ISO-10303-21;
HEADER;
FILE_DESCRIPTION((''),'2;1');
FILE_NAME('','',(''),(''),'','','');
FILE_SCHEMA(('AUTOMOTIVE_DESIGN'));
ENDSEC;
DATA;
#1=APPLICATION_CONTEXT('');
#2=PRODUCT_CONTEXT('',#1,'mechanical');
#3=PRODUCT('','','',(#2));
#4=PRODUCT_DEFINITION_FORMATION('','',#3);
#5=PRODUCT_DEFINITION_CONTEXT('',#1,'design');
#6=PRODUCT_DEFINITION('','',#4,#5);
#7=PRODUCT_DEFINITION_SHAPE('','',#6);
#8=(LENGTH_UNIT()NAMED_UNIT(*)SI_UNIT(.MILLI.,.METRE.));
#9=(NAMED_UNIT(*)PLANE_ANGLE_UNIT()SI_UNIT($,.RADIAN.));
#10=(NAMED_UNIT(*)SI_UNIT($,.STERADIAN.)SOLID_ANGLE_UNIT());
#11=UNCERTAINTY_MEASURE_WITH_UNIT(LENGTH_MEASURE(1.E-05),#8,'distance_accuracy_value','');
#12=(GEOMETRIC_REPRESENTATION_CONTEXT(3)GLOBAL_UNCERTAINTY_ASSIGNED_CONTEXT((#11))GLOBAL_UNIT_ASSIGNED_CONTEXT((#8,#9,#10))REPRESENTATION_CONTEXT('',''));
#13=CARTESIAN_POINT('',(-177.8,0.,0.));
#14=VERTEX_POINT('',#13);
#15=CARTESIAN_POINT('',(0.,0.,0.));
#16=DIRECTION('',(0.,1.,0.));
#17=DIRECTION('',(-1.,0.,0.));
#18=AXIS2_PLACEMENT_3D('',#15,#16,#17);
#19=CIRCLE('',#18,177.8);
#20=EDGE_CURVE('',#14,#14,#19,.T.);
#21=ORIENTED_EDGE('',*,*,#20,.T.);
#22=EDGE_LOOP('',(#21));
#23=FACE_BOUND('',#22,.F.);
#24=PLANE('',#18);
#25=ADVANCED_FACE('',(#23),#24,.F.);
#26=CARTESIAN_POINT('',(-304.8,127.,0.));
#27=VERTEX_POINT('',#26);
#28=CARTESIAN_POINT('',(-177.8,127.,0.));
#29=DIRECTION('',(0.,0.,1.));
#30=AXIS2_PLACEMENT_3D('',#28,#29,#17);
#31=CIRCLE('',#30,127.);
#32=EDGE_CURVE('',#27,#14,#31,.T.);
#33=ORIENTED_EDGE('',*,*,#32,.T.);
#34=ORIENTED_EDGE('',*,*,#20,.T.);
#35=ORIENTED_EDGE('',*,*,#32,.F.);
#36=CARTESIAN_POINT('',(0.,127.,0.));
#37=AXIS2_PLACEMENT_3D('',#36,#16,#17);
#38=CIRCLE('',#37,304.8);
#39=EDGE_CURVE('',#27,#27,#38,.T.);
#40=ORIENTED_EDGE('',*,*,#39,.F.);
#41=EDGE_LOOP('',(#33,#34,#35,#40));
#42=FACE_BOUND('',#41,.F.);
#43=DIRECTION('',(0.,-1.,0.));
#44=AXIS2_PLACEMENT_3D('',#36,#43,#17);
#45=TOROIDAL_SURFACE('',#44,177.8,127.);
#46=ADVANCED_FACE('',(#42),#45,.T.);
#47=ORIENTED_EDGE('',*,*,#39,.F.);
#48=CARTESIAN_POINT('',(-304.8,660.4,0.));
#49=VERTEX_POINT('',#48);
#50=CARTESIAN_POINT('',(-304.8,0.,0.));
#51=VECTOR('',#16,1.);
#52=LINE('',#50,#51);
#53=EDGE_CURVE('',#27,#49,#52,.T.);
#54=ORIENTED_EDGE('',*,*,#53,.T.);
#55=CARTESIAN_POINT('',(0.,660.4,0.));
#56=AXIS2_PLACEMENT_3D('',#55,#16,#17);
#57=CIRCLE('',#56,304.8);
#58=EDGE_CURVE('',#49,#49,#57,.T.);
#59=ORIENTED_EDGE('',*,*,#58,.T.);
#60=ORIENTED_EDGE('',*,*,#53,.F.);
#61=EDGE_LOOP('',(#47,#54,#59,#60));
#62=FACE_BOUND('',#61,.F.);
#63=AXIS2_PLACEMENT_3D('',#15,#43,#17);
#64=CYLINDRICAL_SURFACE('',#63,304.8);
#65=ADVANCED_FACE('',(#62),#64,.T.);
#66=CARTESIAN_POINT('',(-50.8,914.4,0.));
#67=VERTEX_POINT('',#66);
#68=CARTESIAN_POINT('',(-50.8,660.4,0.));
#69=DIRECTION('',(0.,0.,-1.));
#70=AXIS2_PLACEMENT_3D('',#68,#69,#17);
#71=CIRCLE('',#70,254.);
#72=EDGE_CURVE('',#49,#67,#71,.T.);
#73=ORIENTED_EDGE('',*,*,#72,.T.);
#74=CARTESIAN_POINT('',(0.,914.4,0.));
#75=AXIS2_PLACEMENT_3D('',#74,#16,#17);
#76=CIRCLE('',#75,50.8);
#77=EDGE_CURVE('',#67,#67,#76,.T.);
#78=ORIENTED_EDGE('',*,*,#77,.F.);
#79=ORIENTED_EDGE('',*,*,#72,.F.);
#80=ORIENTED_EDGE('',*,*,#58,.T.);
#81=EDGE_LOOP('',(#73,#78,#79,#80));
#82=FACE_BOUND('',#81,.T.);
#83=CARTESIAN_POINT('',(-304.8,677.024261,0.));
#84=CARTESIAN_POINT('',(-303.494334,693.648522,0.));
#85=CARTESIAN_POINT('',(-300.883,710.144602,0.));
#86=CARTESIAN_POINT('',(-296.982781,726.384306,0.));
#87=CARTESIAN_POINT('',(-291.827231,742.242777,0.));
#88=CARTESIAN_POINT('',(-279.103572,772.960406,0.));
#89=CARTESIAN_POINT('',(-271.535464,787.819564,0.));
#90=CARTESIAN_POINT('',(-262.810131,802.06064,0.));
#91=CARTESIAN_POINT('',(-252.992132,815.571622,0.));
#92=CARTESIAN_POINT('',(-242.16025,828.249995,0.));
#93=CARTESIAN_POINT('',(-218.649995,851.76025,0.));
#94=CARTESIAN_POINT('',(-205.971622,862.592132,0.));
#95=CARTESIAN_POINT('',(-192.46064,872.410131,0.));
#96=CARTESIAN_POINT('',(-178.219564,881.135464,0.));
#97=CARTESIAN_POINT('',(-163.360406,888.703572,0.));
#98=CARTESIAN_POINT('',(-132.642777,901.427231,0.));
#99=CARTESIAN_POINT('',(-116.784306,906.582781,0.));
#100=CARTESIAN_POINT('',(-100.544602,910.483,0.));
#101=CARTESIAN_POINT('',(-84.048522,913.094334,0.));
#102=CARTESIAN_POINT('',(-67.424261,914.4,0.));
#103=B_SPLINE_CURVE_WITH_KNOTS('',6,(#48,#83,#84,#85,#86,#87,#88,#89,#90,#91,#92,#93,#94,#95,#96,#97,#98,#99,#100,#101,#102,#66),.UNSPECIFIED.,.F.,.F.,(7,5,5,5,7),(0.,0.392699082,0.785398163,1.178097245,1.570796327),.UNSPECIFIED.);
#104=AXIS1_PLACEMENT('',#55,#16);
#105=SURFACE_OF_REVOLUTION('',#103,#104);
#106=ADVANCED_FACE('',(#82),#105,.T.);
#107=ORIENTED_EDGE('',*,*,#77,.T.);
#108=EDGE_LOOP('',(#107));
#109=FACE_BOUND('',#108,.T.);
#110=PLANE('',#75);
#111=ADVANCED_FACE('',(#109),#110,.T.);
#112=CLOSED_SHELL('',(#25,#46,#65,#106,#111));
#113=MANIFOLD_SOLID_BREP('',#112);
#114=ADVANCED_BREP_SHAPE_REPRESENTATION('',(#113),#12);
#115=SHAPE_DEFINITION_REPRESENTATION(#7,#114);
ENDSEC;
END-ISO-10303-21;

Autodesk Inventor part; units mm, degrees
ref_plane "YZ Plane" through (0, 0, 0) normal (1, 0, 0) x (0, 1, 0)
ref_plane "XZ Plane" through (0, 0, 0) normal (0, 1, 0) x (-1, 0, 0)
ref_plane "XY Plane" through (0, 0, 0) normal (0, 0, 1) x (1, 0, 0)
sketch "Sketch1" plane through (0, 0, 0) normal (0, 1, 0) x (-1, 0, 0)
  circle A0 centre (0, 0) radius 304.8
  dimension "d0" = 609.6
extrude "Extrusion1" add sketch "Sketch1" along normal blind 914.4
fillet "Fillet1" radius 254 1 edges at (304.8, 914.4, 0)
fillet "Fillet2" radius 127 1 edges at (304.8, 0, 0)
properties part number "Pool Filter"
